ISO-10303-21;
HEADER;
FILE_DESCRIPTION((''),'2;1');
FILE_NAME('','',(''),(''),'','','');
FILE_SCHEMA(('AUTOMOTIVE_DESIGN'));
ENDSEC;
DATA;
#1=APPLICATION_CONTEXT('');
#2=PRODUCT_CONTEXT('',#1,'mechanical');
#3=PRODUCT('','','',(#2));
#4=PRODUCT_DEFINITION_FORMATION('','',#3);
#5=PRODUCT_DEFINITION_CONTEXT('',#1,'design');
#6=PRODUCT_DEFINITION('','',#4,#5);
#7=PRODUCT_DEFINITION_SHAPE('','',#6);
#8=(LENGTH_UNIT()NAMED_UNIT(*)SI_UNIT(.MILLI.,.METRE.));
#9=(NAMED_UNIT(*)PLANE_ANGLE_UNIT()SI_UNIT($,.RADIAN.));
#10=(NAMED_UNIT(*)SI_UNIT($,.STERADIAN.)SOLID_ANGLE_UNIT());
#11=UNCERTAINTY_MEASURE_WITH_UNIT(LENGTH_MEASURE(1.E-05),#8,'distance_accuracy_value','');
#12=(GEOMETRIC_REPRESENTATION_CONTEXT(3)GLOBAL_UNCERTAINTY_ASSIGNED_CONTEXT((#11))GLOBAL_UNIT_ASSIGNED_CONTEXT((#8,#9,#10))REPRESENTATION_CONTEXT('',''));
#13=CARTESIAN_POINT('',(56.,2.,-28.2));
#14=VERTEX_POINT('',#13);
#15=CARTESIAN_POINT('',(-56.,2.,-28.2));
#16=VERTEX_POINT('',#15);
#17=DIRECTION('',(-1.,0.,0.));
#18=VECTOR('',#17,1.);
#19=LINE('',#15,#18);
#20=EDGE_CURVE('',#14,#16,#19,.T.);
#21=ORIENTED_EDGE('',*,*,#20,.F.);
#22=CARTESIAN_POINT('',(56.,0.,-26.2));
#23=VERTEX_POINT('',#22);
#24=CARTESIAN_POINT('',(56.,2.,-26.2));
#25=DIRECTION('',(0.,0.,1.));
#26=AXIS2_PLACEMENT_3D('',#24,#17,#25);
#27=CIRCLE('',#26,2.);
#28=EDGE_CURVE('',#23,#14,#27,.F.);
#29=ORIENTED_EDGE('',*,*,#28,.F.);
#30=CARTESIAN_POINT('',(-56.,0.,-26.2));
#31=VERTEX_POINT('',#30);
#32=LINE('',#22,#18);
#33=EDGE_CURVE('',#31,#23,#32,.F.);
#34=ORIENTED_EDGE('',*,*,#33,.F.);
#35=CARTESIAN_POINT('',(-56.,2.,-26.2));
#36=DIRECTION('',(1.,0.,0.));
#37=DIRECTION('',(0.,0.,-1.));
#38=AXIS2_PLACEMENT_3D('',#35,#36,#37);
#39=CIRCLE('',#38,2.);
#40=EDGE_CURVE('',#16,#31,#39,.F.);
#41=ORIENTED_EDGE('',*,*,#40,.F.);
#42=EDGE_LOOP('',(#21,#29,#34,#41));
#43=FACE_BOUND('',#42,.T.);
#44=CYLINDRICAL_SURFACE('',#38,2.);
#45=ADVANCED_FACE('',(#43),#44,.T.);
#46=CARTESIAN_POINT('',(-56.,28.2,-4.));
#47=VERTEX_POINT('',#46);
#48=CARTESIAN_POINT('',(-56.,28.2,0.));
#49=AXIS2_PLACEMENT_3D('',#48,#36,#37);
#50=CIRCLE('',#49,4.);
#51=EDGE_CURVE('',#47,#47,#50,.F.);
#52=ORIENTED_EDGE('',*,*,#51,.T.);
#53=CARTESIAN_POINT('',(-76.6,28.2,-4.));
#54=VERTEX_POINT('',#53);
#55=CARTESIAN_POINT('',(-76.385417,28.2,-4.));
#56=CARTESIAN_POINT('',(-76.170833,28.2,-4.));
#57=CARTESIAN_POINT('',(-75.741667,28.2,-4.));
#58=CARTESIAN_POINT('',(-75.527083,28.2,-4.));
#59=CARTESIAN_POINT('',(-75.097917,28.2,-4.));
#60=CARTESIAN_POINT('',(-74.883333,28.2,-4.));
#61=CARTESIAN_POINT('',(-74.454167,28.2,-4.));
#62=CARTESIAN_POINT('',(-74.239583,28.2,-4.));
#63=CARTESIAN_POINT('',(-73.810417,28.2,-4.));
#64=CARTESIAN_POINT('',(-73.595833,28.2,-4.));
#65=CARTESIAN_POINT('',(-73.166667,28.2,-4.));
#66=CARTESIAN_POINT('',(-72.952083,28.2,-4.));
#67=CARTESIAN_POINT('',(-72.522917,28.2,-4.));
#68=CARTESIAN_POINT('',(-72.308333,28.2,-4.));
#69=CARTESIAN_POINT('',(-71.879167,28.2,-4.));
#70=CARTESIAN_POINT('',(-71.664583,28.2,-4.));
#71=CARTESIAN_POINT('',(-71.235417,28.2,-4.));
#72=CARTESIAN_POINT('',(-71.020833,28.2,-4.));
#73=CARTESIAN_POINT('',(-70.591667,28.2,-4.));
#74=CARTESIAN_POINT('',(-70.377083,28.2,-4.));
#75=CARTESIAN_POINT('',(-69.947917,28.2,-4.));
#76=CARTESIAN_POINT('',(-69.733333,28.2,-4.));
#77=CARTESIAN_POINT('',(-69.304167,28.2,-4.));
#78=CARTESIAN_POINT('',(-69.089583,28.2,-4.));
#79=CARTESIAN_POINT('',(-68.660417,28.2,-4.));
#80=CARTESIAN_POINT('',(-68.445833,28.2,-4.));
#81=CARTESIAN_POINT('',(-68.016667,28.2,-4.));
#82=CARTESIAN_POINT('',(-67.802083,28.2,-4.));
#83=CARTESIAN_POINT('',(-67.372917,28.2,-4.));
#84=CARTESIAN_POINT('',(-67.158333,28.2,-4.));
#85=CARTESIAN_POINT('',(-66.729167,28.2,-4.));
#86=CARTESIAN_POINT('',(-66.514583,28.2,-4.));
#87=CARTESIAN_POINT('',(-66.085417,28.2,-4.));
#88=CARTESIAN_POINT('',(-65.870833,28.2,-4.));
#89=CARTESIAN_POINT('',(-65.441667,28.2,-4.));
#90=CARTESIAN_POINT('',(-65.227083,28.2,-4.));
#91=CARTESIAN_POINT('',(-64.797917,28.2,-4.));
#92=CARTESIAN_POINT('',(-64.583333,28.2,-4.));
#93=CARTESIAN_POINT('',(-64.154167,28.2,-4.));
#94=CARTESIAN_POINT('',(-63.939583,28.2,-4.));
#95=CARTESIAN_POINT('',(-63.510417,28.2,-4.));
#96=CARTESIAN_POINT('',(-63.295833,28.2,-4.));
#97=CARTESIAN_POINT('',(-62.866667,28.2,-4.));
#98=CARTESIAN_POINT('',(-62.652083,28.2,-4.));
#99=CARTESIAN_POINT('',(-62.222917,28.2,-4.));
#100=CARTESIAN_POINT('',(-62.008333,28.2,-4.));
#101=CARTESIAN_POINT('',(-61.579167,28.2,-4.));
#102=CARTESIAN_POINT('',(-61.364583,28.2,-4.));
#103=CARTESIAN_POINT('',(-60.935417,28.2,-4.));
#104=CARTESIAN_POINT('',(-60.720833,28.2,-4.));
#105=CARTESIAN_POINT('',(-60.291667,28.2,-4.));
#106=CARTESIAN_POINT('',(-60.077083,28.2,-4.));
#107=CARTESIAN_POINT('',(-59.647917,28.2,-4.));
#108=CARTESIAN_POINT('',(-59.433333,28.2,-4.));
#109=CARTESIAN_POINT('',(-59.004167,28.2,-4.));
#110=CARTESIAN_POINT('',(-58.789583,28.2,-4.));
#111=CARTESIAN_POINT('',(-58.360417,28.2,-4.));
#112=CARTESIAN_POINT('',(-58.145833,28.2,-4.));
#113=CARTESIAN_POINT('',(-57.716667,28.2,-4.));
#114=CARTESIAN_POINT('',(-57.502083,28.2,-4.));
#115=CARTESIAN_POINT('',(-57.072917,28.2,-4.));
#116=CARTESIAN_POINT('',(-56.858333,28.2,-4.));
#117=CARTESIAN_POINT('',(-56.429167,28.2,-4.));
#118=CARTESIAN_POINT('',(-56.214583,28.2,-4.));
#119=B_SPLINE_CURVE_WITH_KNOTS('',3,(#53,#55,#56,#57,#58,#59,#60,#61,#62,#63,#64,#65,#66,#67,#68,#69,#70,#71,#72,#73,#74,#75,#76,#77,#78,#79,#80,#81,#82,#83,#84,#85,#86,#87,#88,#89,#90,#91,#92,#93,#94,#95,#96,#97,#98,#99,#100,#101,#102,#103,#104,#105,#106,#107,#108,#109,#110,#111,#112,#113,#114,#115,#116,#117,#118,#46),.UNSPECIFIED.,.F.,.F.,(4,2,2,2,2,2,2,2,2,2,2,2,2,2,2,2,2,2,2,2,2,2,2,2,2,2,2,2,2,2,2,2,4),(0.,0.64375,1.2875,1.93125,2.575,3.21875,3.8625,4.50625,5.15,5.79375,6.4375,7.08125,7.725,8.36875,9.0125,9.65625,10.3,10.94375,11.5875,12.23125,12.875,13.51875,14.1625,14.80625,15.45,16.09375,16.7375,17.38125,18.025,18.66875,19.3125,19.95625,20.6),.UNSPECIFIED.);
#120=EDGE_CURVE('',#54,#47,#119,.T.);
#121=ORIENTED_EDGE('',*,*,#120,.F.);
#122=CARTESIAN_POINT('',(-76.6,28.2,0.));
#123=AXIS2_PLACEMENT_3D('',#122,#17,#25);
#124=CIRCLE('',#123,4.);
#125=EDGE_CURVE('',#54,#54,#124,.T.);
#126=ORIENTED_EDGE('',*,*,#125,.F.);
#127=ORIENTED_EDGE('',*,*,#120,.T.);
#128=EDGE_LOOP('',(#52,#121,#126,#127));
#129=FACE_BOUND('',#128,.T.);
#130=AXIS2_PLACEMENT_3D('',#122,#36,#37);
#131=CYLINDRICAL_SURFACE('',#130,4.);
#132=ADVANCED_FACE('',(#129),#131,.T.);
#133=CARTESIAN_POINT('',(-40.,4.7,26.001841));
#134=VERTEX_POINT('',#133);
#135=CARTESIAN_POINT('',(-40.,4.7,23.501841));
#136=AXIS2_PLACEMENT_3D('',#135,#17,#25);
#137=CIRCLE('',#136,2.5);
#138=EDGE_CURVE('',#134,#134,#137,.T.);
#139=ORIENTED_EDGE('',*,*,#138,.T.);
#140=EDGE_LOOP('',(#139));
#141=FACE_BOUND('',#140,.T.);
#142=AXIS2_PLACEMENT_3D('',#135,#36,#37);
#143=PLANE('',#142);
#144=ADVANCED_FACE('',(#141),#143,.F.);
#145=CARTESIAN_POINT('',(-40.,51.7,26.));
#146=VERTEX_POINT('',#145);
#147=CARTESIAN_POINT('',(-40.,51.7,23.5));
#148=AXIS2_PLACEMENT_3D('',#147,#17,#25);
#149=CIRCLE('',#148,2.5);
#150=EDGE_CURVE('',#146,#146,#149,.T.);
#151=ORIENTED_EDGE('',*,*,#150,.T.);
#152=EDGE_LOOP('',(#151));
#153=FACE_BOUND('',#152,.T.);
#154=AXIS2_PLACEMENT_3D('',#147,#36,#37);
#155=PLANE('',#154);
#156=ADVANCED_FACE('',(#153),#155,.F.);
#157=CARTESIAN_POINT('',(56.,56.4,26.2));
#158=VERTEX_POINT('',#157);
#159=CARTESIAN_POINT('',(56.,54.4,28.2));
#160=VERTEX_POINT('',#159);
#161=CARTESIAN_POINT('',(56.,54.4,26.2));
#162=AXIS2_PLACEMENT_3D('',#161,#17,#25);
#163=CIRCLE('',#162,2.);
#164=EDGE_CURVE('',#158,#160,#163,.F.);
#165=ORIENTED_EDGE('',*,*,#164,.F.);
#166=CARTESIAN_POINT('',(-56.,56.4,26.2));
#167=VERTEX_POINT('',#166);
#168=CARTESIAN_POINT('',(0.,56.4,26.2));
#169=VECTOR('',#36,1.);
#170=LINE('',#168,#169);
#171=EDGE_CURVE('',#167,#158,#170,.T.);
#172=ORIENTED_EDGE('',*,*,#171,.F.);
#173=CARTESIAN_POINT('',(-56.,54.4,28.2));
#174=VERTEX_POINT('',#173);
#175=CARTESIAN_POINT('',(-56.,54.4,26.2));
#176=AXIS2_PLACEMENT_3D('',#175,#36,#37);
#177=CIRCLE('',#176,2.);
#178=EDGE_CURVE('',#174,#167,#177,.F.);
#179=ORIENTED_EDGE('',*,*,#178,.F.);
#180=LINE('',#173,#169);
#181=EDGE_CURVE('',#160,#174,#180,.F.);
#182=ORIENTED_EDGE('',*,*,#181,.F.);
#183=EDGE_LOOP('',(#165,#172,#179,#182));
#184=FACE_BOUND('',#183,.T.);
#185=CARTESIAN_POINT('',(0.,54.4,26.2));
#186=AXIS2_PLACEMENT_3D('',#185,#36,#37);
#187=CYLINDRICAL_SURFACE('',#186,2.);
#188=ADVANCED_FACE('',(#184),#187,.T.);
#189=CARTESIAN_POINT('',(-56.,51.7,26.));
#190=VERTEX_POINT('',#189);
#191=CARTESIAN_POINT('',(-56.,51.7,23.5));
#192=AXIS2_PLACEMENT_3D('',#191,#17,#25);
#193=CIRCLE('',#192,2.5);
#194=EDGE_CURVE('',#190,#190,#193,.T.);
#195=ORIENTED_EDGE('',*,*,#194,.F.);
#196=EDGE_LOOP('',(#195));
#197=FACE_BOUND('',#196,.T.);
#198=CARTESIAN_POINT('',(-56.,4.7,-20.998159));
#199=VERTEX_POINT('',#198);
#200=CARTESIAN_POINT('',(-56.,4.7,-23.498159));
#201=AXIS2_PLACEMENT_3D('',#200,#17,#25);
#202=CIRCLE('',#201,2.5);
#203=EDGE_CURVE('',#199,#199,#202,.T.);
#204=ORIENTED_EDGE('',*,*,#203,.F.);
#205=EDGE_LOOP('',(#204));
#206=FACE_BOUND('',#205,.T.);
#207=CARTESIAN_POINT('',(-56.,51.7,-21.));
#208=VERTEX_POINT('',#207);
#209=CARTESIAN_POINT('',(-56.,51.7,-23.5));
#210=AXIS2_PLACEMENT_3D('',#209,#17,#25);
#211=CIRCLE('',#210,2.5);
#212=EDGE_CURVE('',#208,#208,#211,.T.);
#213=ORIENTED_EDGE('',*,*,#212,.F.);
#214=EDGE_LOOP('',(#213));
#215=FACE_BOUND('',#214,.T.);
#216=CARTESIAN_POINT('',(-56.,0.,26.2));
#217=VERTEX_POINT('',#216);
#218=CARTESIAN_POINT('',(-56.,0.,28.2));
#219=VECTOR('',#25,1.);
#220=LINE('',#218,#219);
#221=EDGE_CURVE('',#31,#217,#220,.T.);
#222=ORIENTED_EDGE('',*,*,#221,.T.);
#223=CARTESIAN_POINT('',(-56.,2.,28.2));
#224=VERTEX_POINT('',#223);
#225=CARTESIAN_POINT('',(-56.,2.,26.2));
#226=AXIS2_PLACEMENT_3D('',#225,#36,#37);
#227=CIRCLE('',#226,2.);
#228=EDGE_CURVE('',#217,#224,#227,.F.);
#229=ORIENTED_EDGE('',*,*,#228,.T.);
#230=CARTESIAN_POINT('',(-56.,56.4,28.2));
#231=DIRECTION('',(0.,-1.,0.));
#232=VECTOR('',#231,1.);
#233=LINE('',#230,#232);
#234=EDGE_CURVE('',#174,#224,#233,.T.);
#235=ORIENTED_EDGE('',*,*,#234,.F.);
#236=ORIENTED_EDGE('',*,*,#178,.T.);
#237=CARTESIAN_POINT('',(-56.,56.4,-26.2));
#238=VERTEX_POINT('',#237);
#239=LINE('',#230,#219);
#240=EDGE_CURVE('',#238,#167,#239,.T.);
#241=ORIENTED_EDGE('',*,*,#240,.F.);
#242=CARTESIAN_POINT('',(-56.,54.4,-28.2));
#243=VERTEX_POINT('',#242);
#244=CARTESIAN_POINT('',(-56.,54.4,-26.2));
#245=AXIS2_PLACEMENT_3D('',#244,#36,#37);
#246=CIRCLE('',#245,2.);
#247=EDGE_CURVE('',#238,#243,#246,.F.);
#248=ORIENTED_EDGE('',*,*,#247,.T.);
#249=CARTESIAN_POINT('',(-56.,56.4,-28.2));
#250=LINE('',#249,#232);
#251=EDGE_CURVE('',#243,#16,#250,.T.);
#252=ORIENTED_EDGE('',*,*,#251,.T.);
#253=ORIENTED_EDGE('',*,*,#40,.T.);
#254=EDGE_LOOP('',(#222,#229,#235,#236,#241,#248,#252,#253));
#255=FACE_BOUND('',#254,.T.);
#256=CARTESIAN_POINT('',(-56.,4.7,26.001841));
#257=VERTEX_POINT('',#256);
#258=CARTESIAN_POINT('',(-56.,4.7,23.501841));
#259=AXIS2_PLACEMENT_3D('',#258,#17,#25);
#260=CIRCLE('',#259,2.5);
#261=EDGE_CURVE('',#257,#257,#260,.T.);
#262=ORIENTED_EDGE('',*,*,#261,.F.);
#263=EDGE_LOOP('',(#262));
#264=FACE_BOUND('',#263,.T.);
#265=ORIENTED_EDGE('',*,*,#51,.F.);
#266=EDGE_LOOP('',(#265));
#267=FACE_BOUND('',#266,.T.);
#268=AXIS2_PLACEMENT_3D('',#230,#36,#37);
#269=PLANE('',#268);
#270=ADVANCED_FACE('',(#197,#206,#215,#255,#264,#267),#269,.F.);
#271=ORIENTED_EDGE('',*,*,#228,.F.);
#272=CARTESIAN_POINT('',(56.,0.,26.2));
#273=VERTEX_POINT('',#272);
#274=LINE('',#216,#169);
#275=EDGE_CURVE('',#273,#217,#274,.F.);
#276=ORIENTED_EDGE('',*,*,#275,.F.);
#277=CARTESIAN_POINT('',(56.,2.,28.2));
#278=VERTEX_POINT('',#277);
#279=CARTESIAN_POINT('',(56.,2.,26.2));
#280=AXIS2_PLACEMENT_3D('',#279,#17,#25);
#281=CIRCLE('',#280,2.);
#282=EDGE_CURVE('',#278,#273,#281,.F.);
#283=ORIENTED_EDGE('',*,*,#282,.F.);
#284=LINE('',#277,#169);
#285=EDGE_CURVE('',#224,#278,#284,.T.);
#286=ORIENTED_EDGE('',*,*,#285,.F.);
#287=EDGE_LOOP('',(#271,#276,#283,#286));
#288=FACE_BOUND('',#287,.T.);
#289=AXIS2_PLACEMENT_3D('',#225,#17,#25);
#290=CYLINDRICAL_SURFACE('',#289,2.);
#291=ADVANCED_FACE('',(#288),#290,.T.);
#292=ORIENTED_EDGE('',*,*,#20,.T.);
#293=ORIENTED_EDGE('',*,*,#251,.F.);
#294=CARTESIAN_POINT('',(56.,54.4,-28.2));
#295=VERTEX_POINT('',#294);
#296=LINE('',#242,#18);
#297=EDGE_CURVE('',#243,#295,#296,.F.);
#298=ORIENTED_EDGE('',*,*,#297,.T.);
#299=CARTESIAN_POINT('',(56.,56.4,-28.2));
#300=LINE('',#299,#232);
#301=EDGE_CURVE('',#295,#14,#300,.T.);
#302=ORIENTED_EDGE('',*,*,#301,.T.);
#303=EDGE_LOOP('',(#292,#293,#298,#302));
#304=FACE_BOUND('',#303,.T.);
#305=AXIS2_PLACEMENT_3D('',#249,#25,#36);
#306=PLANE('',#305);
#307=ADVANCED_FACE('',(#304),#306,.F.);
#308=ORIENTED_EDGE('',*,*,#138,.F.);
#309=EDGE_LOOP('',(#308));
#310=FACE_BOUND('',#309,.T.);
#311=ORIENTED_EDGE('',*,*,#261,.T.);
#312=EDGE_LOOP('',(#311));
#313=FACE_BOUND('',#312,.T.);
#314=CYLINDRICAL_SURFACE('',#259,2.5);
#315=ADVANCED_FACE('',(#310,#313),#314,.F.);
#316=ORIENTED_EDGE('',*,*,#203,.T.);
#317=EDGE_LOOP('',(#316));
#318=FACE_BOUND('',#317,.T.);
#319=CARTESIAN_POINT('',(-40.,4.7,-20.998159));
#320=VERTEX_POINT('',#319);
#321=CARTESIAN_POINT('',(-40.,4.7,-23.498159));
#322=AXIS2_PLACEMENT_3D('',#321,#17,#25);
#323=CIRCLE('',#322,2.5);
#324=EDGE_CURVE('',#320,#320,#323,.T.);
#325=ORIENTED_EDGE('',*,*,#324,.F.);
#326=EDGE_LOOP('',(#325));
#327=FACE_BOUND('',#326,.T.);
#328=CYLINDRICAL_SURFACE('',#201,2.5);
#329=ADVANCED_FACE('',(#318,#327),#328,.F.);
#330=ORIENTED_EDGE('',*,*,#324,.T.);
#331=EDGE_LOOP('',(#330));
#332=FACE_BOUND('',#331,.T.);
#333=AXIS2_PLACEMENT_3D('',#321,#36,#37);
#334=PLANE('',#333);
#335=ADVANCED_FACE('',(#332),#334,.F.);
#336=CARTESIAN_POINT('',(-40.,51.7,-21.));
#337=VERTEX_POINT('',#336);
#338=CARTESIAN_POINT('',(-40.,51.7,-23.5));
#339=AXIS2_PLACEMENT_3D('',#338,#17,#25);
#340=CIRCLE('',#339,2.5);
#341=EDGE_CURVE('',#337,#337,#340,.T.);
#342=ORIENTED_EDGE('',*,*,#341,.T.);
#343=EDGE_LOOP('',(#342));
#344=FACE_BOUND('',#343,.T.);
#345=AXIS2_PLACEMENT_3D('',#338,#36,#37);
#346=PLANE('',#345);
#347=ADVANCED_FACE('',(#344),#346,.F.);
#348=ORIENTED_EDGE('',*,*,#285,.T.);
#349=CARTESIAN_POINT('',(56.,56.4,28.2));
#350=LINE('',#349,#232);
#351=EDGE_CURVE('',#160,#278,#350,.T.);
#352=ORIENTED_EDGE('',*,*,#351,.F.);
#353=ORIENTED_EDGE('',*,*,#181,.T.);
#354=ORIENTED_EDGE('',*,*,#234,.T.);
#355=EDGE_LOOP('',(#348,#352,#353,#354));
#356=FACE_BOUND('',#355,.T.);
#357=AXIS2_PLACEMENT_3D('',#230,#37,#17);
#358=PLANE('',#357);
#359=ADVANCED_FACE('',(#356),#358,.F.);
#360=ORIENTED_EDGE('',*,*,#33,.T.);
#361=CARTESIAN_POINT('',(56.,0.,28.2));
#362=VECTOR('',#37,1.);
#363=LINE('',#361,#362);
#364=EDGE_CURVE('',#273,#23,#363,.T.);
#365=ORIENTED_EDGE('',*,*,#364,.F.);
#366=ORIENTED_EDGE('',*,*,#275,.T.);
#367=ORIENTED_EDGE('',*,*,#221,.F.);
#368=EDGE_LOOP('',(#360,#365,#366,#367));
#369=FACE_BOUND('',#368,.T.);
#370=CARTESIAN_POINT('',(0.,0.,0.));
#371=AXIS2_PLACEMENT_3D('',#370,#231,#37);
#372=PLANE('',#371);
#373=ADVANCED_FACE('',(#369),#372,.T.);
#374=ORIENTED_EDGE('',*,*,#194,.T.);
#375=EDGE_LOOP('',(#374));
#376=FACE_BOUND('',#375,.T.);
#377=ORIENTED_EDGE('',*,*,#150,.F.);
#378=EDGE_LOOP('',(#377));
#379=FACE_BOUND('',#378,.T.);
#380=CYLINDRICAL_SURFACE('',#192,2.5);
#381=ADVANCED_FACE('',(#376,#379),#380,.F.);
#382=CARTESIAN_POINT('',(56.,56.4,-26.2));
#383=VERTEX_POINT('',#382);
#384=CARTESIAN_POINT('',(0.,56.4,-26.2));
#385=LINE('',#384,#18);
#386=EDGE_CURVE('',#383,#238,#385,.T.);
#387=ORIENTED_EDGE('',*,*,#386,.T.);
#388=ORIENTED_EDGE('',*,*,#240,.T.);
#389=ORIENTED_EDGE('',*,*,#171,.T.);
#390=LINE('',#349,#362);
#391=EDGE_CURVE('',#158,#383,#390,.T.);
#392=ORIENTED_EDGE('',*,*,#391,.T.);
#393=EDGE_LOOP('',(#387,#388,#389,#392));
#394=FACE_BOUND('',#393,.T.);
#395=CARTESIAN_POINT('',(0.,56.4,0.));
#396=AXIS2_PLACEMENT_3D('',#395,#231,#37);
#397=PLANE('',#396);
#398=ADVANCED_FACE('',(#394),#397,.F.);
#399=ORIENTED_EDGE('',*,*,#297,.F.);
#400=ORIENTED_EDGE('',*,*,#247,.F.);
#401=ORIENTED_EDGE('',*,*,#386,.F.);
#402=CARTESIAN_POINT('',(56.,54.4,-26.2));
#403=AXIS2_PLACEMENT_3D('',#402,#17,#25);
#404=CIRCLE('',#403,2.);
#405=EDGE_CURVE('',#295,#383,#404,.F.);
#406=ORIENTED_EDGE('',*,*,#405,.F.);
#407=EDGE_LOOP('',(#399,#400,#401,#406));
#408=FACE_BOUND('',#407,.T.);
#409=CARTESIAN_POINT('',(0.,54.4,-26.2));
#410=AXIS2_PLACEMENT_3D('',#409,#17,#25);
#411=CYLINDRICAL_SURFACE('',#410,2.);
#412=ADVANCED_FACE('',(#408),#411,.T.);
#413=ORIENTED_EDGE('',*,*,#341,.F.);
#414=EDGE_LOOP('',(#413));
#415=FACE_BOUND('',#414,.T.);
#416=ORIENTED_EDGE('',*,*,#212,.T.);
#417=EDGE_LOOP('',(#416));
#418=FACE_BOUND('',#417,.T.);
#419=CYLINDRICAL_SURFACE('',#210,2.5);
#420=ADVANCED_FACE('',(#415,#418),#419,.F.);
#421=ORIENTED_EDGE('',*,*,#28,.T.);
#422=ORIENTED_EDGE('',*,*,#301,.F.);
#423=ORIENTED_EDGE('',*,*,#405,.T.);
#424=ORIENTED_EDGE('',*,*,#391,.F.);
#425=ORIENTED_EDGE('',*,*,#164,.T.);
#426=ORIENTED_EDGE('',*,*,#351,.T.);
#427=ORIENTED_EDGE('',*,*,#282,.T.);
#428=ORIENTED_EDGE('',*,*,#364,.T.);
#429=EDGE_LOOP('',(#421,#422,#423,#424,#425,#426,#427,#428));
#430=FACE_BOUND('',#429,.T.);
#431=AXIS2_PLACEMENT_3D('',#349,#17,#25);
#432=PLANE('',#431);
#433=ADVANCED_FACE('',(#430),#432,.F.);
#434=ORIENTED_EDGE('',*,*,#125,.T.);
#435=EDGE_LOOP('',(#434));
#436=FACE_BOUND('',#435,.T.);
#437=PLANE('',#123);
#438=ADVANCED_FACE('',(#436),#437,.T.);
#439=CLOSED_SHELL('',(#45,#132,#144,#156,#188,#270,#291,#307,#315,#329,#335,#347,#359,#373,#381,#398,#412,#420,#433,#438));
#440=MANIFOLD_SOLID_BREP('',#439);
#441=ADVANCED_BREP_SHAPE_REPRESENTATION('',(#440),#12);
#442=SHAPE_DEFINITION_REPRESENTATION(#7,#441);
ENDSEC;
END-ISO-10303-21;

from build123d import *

# Parameters (mm, degrees)
SKETCH1_W                    = 112
SKETCH1_H                    = 56.4
BOSS_EXTRUDE1_DEPTH          = 56.4
FILLET1_R                    = 2
SKETCH2_R                    = 4
BOSS_EXTRUDE2_DEPTH          = 20.6
F_5_0_5_DIAMETER_HOLE1_D     = 5
F_5_0_5_DIAMETER_HOLE1_DEPTH = 16


with BuildPart() as part:
    # Sketch1 → Boss-Extrude1 (new body)
    with BuildSketch(Plane(origin=(0, 0, 0), x_dir=(1, 0, 0), z_dir=(0, 1, 0))):
        Rectangle(SKETCH1_W, SKETCH1_H)
    extrude(amount=BOSS_EXTRUDE1_DEPTH)

    # Fillet1
    fillet1_edges = [part.edges().sort_by_distance(p)[0] for p in [
        (0, 56.4, 28.2),
        (0, 56.4, -28.2),
        (0, 0, -28.2),
        (0, 0, 28.2),
    ]]
    fillet(fillet1_edges, radius=FILLET1_R)

    # Sketch2 → Boss-Extrude2 (add)
    with BuildSketch(Plane.ZY.offset(56)):
        with Locations((0, 28.2)):
            Circle(SKETCH2_R)
    extrude(amount=BOSS_EXTRUDE2_DEPTH)

    # Ø5.0 (5) Diameter Hole1
    with Locations(Plane.ZY.offset(56)):
        with Locations((-23.5, 51.7), (23.5, 51.7), (23.501841312, 4.700000036), (-23.498158688, 4.700000036)):
            Hole(F_5_0_5_DIAMETER_HOLE1_D / 2, depth=F_5_0_5_DIAMETER_HOLE1_DEPTH)


solid = part.part
